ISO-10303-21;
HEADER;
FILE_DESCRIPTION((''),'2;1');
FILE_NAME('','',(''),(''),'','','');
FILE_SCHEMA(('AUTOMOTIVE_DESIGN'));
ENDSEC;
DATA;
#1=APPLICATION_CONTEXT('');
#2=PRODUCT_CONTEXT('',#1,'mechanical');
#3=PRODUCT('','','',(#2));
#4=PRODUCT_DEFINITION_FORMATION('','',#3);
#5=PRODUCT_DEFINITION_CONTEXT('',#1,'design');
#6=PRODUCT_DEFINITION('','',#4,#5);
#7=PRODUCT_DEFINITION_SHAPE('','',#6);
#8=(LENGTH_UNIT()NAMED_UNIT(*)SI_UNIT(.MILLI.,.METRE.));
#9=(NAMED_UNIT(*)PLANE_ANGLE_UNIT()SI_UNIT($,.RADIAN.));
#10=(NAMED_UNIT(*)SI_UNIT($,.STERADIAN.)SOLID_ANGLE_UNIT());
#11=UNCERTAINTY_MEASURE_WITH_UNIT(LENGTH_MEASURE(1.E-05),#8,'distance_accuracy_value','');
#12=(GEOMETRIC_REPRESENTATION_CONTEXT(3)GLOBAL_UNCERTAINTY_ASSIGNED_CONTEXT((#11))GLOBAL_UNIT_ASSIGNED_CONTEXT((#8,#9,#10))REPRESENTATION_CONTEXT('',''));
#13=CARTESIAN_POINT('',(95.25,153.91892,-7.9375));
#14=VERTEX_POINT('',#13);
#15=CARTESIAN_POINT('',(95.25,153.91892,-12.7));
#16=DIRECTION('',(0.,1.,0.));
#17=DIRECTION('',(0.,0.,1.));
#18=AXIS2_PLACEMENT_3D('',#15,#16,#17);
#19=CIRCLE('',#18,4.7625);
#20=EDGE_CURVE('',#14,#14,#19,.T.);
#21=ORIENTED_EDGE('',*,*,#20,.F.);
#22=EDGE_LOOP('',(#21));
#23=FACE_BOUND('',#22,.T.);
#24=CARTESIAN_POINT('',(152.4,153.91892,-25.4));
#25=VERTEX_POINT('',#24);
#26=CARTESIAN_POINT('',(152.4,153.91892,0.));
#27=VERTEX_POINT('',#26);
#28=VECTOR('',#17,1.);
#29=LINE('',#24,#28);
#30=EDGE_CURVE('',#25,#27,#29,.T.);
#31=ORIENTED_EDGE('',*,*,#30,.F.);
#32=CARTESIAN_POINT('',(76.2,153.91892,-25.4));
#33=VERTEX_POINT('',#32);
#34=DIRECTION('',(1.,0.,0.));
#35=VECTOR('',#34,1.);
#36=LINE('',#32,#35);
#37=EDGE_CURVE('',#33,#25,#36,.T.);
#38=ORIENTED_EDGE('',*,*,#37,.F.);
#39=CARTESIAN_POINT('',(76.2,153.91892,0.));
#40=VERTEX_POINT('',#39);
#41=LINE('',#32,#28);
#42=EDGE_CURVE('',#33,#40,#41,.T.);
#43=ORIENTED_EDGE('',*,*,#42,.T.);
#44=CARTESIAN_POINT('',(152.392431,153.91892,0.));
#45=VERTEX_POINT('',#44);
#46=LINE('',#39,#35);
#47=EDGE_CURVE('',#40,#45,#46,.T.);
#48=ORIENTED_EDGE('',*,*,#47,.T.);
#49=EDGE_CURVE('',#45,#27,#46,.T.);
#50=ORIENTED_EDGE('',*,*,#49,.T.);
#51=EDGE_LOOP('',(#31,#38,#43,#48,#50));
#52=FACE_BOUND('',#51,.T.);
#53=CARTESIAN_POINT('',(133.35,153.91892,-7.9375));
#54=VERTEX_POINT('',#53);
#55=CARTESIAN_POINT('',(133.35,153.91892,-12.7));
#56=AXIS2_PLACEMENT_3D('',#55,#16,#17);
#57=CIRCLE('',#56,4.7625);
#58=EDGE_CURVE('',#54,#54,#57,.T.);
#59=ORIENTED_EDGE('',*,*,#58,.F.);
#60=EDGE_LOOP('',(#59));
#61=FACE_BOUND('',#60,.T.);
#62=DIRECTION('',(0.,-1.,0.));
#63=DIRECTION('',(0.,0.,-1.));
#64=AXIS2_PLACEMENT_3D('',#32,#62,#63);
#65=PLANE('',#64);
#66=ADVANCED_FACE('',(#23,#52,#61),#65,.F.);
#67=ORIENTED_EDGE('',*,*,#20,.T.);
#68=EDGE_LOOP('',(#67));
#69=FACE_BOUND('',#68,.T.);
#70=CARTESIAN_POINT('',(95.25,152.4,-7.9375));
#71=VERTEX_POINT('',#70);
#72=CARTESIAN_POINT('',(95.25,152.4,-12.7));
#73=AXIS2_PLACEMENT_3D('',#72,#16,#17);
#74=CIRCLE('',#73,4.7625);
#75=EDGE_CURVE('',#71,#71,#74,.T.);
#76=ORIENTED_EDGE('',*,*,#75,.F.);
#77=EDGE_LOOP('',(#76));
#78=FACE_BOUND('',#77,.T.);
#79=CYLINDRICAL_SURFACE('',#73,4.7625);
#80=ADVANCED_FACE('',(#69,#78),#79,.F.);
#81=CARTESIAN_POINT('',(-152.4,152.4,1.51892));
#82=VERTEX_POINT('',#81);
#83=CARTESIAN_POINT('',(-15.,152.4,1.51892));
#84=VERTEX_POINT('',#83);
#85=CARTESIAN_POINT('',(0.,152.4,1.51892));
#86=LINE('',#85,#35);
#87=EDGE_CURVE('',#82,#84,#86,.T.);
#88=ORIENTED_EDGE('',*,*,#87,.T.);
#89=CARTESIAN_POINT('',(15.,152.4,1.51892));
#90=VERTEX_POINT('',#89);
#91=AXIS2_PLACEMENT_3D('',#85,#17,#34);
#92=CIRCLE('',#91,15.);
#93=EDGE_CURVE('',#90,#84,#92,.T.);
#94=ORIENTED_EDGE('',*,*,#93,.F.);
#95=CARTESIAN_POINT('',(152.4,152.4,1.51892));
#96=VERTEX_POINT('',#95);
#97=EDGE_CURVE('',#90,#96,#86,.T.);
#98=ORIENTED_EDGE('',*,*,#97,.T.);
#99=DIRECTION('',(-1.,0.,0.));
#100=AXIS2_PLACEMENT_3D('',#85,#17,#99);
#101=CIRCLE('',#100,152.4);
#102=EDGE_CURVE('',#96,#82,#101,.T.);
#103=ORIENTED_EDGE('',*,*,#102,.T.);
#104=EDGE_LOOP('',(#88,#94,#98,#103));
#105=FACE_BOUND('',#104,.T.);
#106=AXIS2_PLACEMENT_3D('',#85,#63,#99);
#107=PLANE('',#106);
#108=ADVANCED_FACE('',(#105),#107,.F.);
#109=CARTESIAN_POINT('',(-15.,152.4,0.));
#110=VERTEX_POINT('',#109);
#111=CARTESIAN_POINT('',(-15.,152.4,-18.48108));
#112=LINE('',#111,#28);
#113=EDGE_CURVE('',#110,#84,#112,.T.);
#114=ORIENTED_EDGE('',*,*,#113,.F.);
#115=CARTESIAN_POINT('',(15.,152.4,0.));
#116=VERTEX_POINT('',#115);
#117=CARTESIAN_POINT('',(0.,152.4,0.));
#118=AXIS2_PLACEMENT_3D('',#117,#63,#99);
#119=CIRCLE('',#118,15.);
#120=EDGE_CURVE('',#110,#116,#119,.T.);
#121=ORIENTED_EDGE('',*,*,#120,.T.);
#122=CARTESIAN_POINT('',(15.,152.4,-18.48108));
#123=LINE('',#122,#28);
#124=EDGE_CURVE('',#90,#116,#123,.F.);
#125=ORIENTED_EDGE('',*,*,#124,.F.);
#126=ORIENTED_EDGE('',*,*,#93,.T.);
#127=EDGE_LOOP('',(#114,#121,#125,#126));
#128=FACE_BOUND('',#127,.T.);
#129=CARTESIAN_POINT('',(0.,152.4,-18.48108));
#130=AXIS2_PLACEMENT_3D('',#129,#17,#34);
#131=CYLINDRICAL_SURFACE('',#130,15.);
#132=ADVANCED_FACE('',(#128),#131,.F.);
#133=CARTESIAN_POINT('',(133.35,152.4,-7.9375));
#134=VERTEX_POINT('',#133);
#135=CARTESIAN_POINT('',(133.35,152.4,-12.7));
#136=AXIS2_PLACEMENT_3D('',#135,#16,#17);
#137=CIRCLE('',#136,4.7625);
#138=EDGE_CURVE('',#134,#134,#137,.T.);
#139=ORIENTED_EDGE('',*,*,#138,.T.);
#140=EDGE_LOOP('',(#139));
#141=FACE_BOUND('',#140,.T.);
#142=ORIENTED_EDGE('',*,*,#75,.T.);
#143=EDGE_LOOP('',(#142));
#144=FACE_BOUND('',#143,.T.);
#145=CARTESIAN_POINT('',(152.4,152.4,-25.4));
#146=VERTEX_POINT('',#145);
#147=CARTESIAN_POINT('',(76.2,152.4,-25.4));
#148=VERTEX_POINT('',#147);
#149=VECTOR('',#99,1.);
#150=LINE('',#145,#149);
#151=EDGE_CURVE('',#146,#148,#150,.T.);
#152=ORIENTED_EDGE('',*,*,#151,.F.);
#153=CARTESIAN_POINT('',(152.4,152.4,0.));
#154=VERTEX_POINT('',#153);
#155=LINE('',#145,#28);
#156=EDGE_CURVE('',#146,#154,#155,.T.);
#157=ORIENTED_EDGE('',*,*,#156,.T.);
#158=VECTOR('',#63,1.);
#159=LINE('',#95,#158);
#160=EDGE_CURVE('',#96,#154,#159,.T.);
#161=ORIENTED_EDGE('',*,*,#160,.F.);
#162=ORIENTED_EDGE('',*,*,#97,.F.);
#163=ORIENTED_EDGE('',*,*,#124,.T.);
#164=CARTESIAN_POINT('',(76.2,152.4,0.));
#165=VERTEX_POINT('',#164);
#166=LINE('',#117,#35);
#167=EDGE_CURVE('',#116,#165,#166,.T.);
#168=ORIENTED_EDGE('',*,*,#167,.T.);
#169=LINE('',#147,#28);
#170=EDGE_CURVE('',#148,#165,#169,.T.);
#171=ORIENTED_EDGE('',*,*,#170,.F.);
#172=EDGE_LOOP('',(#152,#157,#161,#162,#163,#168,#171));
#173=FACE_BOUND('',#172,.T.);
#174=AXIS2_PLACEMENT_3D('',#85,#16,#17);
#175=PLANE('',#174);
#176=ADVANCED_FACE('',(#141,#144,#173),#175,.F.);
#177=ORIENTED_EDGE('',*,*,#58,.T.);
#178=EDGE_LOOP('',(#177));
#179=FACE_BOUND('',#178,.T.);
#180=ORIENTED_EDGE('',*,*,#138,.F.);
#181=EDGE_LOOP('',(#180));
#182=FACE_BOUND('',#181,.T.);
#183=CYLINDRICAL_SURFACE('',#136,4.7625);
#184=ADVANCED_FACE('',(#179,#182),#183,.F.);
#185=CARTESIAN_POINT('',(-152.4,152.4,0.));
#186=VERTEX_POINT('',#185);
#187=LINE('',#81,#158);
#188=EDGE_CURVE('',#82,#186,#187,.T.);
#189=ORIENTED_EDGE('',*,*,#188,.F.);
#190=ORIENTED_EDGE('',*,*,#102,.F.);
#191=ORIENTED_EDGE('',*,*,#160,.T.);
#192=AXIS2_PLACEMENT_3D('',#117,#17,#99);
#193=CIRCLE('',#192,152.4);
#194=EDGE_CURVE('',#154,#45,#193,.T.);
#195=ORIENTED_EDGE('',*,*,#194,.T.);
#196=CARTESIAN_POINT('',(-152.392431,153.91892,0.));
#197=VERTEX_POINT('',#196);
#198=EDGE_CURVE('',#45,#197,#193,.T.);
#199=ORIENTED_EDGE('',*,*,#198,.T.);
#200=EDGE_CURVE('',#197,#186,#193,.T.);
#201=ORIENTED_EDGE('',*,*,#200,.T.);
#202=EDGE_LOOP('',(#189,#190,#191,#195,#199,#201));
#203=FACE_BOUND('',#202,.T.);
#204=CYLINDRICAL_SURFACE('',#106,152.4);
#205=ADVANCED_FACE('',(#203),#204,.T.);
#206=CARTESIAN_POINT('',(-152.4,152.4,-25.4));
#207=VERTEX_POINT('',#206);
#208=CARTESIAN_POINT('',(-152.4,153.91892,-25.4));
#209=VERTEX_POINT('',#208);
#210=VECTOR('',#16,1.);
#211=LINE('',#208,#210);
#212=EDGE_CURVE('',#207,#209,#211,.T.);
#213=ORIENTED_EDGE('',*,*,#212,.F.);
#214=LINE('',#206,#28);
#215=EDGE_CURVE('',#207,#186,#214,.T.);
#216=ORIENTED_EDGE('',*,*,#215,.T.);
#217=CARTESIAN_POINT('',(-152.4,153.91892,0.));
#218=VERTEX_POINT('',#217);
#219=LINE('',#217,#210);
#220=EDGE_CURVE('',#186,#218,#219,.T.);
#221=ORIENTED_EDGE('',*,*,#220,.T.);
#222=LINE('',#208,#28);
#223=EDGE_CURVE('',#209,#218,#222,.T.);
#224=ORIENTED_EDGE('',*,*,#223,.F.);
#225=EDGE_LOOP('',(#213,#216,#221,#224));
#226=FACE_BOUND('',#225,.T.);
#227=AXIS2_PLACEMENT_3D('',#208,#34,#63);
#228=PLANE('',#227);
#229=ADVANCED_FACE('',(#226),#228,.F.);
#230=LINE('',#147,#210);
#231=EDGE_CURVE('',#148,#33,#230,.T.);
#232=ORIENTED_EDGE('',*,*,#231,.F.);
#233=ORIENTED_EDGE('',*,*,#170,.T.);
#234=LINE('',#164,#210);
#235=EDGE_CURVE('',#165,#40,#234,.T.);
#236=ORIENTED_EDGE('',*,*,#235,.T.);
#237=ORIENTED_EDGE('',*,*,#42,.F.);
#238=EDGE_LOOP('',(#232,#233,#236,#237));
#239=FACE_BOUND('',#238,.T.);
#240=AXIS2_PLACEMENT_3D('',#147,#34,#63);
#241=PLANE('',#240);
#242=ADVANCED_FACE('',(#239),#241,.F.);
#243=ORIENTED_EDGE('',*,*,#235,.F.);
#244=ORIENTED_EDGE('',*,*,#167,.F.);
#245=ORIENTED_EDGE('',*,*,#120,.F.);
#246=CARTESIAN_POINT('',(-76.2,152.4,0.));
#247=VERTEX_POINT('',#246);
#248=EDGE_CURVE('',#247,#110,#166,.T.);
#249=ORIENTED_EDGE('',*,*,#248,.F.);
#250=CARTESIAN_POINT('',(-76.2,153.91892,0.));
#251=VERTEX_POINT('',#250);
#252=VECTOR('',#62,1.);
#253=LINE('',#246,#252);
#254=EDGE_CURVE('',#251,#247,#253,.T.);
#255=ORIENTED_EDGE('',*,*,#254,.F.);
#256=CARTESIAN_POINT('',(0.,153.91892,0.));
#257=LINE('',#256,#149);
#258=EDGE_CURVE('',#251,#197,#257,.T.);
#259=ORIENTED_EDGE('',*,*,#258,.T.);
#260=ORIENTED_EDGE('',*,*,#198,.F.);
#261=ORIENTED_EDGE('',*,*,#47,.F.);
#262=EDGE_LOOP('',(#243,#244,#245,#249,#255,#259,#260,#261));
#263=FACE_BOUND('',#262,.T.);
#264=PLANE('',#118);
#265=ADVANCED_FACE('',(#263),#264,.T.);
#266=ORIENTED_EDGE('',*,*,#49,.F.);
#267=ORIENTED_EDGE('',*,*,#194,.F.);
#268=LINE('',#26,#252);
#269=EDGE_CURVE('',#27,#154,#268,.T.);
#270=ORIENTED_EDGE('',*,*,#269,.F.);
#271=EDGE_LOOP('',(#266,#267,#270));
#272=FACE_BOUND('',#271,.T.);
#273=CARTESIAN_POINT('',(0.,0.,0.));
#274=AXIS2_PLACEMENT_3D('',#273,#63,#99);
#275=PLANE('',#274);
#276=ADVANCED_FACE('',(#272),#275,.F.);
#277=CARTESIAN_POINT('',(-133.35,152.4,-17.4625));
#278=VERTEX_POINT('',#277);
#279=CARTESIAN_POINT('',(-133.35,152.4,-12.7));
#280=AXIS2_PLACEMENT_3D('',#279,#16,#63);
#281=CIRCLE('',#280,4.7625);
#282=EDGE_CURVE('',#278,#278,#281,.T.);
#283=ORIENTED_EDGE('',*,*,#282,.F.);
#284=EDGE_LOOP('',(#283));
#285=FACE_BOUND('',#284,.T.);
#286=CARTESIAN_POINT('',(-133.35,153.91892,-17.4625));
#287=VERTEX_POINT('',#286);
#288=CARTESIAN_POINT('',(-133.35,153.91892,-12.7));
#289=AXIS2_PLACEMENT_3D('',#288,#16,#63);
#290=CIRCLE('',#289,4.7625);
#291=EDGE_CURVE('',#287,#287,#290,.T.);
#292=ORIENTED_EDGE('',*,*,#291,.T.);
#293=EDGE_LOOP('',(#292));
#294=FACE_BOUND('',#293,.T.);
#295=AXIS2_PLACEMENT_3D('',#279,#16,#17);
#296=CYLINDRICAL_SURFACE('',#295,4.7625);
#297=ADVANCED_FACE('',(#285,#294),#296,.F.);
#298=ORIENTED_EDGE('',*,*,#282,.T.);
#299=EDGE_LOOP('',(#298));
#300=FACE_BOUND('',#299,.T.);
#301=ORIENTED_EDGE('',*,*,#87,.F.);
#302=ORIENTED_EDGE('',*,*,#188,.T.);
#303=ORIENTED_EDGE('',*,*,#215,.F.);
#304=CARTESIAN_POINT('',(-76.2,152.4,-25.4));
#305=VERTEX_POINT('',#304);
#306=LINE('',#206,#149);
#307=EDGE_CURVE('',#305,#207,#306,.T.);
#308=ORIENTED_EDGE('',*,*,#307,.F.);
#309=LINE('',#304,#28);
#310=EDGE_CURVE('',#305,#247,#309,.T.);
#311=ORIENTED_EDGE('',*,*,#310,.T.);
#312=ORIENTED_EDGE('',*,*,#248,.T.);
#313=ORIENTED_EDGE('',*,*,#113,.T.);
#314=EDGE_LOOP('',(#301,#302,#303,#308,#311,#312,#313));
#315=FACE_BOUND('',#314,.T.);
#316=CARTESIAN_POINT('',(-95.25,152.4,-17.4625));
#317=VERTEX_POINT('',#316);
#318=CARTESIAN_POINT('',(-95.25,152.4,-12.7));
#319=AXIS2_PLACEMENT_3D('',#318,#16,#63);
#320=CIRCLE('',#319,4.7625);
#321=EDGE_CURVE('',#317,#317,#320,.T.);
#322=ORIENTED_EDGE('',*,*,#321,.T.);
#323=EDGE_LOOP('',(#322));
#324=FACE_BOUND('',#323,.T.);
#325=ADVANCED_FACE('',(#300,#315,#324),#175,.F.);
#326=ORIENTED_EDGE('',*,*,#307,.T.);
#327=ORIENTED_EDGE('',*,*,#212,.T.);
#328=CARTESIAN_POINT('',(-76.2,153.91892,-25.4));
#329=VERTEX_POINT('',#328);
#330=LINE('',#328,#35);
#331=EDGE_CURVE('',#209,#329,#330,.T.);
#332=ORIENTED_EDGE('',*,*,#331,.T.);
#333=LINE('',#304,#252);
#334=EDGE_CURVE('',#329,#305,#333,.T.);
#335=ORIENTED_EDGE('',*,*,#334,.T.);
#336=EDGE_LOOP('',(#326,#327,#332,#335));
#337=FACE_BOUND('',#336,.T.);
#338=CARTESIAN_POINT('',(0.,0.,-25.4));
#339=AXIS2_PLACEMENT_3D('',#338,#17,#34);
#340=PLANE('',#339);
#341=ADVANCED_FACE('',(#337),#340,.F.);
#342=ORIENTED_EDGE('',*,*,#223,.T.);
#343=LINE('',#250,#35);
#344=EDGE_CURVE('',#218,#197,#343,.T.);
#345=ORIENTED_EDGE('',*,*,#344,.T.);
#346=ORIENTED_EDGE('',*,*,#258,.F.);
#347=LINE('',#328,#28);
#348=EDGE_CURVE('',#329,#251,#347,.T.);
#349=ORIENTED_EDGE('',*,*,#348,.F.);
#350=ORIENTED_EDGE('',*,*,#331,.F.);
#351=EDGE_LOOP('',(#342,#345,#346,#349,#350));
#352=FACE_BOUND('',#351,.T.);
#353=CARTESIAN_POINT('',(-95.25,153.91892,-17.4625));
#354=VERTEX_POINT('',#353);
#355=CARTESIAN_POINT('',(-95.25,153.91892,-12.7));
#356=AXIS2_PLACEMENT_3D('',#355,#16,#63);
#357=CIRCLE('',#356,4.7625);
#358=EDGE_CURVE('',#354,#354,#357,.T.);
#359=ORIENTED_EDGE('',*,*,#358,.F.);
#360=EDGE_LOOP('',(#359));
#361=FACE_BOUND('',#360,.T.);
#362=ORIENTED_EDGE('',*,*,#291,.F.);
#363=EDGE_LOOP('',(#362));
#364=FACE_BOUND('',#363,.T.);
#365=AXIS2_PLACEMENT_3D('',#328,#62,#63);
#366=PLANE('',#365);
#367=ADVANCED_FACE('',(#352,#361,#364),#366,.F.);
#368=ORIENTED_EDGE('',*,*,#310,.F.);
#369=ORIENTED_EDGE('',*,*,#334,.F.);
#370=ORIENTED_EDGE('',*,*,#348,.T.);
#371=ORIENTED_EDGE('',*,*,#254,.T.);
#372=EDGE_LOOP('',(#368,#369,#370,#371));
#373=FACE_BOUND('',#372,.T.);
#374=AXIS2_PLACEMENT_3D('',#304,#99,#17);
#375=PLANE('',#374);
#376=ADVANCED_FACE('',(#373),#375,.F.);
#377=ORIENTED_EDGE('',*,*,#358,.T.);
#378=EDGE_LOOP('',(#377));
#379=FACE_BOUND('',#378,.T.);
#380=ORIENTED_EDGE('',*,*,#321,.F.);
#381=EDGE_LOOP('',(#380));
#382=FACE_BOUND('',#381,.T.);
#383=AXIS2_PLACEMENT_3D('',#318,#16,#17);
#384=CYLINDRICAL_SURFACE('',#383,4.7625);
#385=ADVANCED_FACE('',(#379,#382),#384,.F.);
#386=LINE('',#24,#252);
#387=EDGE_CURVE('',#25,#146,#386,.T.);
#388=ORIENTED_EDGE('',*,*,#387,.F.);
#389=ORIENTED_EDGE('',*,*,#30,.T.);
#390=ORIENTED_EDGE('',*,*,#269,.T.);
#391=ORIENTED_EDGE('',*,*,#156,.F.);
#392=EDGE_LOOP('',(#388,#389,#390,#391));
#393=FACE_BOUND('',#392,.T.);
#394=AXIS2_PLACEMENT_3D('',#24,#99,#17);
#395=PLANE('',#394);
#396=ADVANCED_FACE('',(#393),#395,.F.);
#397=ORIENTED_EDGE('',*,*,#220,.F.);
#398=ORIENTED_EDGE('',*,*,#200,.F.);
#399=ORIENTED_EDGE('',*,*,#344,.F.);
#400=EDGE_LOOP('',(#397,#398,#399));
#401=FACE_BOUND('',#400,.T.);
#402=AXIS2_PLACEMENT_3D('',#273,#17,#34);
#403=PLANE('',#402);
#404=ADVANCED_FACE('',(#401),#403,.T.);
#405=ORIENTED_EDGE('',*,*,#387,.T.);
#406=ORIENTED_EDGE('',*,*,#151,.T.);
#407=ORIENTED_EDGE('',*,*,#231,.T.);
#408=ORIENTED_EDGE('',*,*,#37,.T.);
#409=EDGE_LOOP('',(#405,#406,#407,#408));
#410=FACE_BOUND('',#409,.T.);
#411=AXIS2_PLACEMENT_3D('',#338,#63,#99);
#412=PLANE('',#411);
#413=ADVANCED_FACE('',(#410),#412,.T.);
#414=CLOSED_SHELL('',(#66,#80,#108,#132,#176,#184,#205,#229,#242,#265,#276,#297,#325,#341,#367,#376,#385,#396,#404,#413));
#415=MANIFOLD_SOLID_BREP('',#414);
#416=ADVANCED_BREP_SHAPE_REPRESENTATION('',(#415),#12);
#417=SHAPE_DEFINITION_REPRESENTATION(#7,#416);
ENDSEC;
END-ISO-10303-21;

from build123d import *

# Parameters (mm, degrees)
OUTER_CASING_DEPTH  = 1.51892
SKETCH1_R           = 15
INNER_CUTOUT_DEPTH  = 20
SKETCH4_W           = 76.2
SKETCH4_H           = 1.51892
BOSS_EXTRUDE1_DEPTH = 25.4
SKETCH5_R           = 4.7625
CUT_EXTRUDE1_DEPTH  = 2.51892


with BuildPart() as part:
    # Plate shape → Outer casing (new body)
    with BuildSketch(Plane.XY):
        with BuildLine():
            Line((0, 152.4), (-152.4, 152.4))
            ThreePointArc((-152.4, 152.4), (0, 304.8), (152.4, 152.4))
            Line((152.4, 152.4), (0, 152.4))
        make_face()
    extrude(amount=OUTER_CASING_DEPTH)

    # Sketch1 → Inner Cutout (cut)
    with BuildSketch(Plane.XY.offset(1.51892)):
        with Locations((0, 152.4)):
            Circle(SKETCH1_R)
    extrude(amount=-INNER_CUTOUT_DEPTH, mode=Mode.SUBTRACT)

    # Sketch4 → Boss-Extrude1 (add)
    with BuildSketch(Plane(origin=(0, 0, 0), x_dir=(-1, 0, 0), z_dir=(0, 0, -1))):
        with Locations((-114.3, 153.15946)):
            Rectangle(SKETCH4_W, SKETCH4_H)
        with Locations((114.3, 153.15946)):
            Rectangle(SKETCH4_W, SKETCH4_H)
    extrude(amount=BOSS_EXTRUDE1_DEPTH)

    # Sketch5 → Cut-Extrude1 (cut, through all)
    with BuildSketch(Plane(origin=(0, 153.91892, 0), x_dir=(1, 0, 0), z_dir=(0, 1, 0))):
        with Locations((133.35, 12.7)):
            Circle(SKETCH5_R)
        with Locations((95.25, 12.7)):
            Circle(SKETCH5_R)
        with Locations((-133.35, 12.7)):
            Circle(SKETCH5_R)
        with Locations((-95.25, 12.7)):
            Circle(SKETCH5_R)
    extrude(amount=-CUT_EXTRUDE1_DEPTH, mode=Mode.SUBTRACT)


solid = part.part
